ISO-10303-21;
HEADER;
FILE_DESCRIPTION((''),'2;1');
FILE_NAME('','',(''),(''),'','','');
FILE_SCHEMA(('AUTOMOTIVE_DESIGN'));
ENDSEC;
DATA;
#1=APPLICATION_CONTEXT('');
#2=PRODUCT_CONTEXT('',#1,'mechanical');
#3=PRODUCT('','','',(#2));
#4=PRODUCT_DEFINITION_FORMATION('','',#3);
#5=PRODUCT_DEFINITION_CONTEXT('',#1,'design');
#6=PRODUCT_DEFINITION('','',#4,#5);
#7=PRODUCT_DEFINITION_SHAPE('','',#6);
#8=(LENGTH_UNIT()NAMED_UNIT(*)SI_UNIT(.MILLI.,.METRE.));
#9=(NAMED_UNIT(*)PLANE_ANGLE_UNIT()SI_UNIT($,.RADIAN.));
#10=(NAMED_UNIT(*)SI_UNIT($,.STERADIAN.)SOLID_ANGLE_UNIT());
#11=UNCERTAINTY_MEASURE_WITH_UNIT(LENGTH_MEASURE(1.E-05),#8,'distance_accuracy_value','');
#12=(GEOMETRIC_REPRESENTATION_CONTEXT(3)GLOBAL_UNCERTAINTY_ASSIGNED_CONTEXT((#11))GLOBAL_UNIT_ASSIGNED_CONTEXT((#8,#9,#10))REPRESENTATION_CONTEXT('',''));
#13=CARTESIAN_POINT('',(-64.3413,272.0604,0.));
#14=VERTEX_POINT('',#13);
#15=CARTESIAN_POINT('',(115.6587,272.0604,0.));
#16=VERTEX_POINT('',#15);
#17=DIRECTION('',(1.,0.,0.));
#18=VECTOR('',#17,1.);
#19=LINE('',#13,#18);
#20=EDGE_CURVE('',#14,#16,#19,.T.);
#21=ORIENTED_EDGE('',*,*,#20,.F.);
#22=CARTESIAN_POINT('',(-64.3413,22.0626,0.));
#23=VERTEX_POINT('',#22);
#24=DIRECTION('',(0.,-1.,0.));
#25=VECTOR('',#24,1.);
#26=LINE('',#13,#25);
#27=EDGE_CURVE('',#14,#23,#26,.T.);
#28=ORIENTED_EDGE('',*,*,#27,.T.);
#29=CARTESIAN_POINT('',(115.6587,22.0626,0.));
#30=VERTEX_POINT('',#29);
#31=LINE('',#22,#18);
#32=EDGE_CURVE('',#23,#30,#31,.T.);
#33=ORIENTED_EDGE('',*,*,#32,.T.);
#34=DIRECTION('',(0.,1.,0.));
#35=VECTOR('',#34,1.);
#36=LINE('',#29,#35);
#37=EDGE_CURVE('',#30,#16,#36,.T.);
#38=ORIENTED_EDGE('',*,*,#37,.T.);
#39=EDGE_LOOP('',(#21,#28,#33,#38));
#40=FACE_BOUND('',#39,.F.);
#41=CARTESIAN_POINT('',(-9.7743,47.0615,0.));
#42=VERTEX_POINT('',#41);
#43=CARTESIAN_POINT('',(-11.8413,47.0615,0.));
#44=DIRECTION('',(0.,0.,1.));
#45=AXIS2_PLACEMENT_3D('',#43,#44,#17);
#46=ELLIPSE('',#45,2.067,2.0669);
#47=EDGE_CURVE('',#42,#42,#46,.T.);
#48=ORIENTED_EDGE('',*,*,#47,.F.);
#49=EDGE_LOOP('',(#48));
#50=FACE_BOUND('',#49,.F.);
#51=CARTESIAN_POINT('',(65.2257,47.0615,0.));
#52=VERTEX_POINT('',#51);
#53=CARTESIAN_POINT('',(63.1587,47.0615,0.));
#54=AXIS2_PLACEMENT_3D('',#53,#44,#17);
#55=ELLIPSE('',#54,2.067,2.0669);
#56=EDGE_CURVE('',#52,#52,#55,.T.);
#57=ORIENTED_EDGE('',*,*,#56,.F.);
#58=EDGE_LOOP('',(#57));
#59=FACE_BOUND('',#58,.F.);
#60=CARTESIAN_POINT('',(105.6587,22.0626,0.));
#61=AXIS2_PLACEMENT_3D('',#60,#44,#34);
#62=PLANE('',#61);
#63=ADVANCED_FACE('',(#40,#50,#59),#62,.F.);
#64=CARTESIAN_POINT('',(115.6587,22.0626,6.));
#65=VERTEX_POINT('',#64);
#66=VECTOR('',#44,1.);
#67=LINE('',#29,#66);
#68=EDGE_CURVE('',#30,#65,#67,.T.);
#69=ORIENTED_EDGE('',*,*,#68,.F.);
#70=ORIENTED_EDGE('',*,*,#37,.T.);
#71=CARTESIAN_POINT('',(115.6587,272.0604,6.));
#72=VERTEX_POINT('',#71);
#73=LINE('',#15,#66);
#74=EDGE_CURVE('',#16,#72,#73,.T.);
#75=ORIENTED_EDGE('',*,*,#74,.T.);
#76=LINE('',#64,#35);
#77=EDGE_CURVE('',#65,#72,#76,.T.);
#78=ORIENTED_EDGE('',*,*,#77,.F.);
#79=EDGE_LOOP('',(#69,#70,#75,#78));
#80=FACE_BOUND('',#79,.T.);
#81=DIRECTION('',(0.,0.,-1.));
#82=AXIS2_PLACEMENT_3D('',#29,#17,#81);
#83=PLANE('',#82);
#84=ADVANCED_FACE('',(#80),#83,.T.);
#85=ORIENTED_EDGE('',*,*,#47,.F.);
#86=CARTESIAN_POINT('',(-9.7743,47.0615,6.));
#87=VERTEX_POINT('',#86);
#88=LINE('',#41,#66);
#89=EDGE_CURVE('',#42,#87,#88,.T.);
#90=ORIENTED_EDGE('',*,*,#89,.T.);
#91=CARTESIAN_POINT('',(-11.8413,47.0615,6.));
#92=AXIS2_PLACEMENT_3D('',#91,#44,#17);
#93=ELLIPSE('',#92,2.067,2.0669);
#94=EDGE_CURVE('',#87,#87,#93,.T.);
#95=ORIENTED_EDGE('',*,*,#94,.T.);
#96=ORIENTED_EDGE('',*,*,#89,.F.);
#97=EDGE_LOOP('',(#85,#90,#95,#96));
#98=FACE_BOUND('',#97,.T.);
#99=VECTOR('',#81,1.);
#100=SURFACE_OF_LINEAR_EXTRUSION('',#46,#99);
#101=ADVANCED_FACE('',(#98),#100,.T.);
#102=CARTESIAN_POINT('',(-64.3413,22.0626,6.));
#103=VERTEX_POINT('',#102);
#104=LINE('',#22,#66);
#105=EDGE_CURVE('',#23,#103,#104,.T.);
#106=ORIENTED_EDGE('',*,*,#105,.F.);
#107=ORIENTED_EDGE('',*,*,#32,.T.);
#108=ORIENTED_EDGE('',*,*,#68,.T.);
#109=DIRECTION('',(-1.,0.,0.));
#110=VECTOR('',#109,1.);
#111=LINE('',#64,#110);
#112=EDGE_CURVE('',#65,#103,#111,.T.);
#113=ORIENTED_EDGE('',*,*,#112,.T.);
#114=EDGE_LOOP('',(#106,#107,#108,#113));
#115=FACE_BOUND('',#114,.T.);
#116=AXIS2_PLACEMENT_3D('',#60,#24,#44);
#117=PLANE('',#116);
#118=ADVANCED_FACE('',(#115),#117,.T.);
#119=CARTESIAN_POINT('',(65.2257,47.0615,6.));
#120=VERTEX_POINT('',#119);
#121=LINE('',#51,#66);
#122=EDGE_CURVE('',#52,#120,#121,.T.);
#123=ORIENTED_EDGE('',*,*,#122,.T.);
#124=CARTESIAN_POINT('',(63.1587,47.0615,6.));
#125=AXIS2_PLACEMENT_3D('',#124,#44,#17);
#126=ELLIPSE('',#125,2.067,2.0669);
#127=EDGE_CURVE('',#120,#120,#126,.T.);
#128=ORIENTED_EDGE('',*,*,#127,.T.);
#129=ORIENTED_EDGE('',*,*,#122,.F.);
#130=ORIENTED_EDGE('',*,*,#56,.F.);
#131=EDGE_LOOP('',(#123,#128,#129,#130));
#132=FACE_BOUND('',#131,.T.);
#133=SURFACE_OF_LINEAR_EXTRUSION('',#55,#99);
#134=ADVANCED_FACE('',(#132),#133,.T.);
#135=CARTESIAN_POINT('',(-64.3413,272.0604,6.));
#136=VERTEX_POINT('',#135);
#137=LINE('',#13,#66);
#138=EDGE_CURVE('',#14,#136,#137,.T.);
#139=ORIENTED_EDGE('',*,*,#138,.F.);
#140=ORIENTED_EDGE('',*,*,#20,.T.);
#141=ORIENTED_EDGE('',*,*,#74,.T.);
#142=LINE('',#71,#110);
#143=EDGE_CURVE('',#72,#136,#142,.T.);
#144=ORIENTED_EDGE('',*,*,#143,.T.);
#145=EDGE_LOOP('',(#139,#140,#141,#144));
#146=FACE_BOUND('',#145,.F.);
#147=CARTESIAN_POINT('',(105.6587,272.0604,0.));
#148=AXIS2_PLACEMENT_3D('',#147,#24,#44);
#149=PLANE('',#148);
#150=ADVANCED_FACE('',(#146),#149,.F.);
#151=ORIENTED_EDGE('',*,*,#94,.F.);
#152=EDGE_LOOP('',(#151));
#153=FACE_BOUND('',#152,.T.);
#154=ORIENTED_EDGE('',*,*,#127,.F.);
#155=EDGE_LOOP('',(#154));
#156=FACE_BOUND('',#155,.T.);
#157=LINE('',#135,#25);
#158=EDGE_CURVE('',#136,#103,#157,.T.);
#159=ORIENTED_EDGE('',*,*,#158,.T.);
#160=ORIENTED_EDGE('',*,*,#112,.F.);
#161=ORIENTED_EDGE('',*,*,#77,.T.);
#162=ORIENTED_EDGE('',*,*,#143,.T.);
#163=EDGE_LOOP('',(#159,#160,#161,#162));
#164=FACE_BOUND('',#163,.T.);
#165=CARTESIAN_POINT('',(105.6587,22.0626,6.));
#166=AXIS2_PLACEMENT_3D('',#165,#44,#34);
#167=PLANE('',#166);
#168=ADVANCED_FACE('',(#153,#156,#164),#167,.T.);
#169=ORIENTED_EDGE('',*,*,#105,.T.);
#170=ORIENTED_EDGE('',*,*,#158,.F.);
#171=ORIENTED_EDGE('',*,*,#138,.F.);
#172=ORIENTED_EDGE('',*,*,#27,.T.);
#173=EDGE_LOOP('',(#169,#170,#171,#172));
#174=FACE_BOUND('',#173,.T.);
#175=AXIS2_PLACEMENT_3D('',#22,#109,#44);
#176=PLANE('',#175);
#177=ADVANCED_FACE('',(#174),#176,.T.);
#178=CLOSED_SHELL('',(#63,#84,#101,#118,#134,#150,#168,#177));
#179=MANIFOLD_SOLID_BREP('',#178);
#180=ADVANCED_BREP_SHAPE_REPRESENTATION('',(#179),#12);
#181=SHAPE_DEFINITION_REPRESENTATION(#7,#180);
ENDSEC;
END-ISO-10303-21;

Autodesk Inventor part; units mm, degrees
ref_plane "YZ Plane" through (0, 0, 0) normal (1, 0, 0) x (0, 1, 0)
ref_plane "XZ Plane" through (0, 0, 0) normal (0, 1, 0) x (-1, 0, 0)
ref_plane "XY Plane" through (0, 0, 0) normal (0, 0, 1) x (1, 0, 0)
ref_plane "Work Plane1" through (0, 0, 0) normal (0, 0, 1) x (1, 0, 0)
sketch "Sketch1" plane through (0, 0, 0) normal (0, 0, 1) x (1, 0, 0)
  line L0 (105.6587, 72.0604) -> (105.6587, 22.0626) projected
  line L1 (-54.3413, 72.0604) -> (105.6587, 72.0604) projected
  line L2 (-54.3413, 22.0626) -> (-54.3413, 72.0604) projected
  line L3 (105.6587, 22.0626) -> (-54.3413, 22.0626) projected
  line L4 (105.6587, 72.0604) -> (105.6587, 272.0604)
  line L5 (105.6587, 272.0604) -> (-54.3413, 272.0604)
  line L6 (-54.3413, 272.0604) -> (-54.3413, 72.0604)
  line L7 (105.6587, 72.0604) -> (-54.3413, 72.0604)
  line L8 (-54.3413, 72.0604) -> (-54.3413, 22.0626)
  line L9 (105.6587, 22.0626) -> (105.6587, 72.0604)
  line L10 (105.6587, 22.0626) -> (-54.3413, 22.0626)
  ellipse E0 centre (-11.8413, 47.0615) end of major axis (-9.7743, 47.0615) minor radius 2.0669 projected
  ellipse E1 centre (63.1587, 47.0615) end of major axis (65.2257, 47.0615) minor radius 2.0669 projected
  ellipse E2 centre (63.1587, 47.0615) end of major axis (65.2257, 47.0615) minor radius 2.0669 projected
  ellipse E3 centre (-11.8413, 47.0615) end of major axis (-9.7743, 47.0615) minor radius 2.0669 projected
  ellipse E4 centre (-36.8413, 63.0608) end of major axis (-30.8413, 63.0608) minor radius 5.9997 projected
  ellipse E5 centre (88.1587, 63.0608) end of major axis (94.1587, 63.0608) minor radius 5.9997 projected
  point P0 (0, 0)
  point P1 (-46.7889, 82.041)
extrude "Extrusion1" add sketch "Sketch1" along normal blind 6 contours L0 L3 L2 L1 | L1 L6 L5 L4 | E4 | E5
sketch "Sketch2" plane through (-54.3413, 22.0626, 0) normal (-1, 0, 0) x (0, 0, 1)
  line L0 (0, 249.9978) -> (0, 0) projected
  line L1 (0, 0) -> (6, 0) projected
  line L2 (6, 249.9978) -> (6, 0) projected
  line L3 (0, 249.9978) -> (6, 249.9978) projected
  point P0 (0, -22.0626)
extrude "Extrusion2" add sketch "Sketch2" along normal blind 10
sketch "Sketch3" plane through (105.6587, 22.0626, 0) normal (1, 0, 0) x (0, 0, -1)
  line L0 (0, 0) -> (0, 249.9978) projected
  line L1 (0, 249.9978) -> (-6, 249.9978) projected
  line L2 (-6, 0) -> (-6, 249.9978) projected
  line L3 (0, 0) -> (-6, 0) projected
  point P0 (0, -22.0626)
extrude "Extrusion3" add sketch "Sketch3" along normal blind 10
properties part number "Z axis Back Plate" material "Aluminum 6061"
